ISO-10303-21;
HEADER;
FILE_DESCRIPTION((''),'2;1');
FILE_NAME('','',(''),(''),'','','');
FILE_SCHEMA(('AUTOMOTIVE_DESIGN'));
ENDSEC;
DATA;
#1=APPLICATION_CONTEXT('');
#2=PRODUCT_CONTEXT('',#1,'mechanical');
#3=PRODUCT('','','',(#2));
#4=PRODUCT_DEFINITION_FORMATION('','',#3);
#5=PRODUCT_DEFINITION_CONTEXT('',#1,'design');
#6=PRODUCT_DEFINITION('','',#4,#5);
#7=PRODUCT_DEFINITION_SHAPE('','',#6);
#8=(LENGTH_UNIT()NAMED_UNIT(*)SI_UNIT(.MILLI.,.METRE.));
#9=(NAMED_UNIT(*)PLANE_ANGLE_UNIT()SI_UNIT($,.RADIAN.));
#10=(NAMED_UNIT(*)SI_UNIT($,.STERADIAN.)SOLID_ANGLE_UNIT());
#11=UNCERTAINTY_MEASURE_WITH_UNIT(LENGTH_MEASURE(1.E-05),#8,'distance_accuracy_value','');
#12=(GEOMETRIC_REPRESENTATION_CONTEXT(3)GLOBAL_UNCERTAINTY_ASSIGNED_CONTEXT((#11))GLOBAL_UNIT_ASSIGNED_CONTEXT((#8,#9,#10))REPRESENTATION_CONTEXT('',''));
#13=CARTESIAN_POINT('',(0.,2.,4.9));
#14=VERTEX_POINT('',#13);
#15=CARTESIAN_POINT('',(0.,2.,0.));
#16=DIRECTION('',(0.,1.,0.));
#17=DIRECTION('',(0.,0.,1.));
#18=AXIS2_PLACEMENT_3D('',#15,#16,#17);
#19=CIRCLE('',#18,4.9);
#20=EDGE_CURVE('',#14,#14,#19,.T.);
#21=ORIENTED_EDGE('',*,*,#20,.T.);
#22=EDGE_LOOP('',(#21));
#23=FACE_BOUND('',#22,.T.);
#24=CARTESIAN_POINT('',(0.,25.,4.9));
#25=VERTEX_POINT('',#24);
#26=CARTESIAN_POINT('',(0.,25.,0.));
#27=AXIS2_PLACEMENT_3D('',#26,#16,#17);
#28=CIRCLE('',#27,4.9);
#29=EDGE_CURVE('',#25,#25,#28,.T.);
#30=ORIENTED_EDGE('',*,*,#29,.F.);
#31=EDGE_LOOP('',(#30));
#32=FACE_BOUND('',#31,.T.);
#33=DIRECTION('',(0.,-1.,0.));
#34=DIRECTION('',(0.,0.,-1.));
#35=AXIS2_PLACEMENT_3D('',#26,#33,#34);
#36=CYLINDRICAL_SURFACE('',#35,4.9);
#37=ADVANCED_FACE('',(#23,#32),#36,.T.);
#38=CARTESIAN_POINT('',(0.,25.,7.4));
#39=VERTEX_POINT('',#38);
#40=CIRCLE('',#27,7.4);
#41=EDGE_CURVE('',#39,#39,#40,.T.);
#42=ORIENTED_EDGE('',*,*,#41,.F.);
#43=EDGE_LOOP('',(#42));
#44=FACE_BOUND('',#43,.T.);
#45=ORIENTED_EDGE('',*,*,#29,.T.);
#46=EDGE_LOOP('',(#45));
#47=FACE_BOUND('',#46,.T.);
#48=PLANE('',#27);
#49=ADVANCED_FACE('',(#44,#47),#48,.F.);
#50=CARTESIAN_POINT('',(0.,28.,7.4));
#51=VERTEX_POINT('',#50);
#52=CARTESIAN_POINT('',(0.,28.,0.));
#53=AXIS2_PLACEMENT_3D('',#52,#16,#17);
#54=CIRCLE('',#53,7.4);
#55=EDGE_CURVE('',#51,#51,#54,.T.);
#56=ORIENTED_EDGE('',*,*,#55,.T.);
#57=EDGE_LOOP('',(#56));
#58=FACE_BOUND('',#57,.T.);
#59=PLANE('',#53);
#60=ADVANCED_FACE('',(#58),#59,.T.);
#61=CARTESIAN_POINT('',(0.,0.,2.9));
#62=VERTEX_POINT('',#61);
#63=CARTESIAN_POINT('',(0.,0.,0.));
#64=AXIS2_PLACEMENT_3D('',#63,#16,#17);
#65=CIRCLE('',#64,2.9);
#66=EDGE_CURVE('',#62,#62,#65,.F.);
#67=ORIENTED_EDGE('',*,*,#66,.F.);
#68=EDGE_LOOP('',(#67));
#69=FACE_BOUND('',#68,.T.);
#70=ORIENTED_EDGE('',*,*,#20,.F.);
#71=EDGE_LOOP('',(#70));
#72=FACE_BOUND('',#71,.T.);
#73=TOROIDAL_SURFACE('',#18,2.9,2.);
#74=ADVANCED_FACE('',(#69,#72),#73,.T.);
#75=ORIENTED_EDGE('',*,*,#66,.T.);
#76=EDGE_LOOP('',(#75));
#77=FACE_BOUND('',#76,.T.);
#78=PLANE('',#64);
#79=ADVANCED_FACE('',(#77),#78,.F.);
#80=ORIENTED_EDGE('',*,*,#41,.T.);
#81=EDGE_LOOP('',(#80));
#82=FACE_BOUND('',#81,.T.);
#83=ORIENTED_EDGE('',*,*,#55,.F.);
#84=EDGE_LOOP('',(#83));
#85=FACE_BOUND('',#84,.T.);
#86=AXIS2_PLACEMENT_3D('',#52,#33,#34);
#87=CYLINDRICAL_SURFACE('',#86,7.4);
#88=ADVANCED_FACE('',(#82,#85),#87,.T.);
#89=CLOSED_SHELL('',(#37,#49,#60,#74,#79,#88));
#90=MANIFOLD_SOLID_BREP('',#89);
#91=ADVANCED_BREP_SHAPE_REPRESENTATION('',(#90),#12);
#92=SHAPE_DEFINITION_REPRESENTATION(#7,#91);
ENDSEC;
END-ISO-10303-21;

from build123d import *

# Parameters (mm, degrees)
SKETCH1_R           = 4.9
BOSS_EXTRUDE1_DEPTH = 25
SKETCH2_R           = 7.4
BOSS_EXTRUDE2_DEPTH = 3
FILLET1_R           = 2


with BuildPart() as part:
    # Sketch1 → Boss-Extrude1 (new body)
    with BuildSketch(Plane(origin=(0, 0, 0), x_dir=(1, 0, 0), z_dir=(0, 1, 0))):
        with Locations(Location((0, 0, 0), (0, 0, 270))):
            Circle(SKETCH1_R)
    extrude(amount=BOSS_EXTRUDE1_DEPTH)

    # Sketch2 → Boss-Extrude2 (add)
    with BuildSketch(Plane(origin=(0, 25, 0), x_dir=(1, 0, 0), z_dir=(0, 1, 0))):
        with Locations(Location((0, 0, 0), (0, 0, 270))):
            Circle(SKETCH2_R)
    extrude(amount=BOSS_EXTRUDE2_DEPTH)

    # Fillet1
    fillet1_edges = [part.edges().sort_by_distance(p)[0] for p in [
        (0, 0, -4.9),
    ]]
    fillet(fillet1_edges, radius=FILLET1_R)


solid = part.part
